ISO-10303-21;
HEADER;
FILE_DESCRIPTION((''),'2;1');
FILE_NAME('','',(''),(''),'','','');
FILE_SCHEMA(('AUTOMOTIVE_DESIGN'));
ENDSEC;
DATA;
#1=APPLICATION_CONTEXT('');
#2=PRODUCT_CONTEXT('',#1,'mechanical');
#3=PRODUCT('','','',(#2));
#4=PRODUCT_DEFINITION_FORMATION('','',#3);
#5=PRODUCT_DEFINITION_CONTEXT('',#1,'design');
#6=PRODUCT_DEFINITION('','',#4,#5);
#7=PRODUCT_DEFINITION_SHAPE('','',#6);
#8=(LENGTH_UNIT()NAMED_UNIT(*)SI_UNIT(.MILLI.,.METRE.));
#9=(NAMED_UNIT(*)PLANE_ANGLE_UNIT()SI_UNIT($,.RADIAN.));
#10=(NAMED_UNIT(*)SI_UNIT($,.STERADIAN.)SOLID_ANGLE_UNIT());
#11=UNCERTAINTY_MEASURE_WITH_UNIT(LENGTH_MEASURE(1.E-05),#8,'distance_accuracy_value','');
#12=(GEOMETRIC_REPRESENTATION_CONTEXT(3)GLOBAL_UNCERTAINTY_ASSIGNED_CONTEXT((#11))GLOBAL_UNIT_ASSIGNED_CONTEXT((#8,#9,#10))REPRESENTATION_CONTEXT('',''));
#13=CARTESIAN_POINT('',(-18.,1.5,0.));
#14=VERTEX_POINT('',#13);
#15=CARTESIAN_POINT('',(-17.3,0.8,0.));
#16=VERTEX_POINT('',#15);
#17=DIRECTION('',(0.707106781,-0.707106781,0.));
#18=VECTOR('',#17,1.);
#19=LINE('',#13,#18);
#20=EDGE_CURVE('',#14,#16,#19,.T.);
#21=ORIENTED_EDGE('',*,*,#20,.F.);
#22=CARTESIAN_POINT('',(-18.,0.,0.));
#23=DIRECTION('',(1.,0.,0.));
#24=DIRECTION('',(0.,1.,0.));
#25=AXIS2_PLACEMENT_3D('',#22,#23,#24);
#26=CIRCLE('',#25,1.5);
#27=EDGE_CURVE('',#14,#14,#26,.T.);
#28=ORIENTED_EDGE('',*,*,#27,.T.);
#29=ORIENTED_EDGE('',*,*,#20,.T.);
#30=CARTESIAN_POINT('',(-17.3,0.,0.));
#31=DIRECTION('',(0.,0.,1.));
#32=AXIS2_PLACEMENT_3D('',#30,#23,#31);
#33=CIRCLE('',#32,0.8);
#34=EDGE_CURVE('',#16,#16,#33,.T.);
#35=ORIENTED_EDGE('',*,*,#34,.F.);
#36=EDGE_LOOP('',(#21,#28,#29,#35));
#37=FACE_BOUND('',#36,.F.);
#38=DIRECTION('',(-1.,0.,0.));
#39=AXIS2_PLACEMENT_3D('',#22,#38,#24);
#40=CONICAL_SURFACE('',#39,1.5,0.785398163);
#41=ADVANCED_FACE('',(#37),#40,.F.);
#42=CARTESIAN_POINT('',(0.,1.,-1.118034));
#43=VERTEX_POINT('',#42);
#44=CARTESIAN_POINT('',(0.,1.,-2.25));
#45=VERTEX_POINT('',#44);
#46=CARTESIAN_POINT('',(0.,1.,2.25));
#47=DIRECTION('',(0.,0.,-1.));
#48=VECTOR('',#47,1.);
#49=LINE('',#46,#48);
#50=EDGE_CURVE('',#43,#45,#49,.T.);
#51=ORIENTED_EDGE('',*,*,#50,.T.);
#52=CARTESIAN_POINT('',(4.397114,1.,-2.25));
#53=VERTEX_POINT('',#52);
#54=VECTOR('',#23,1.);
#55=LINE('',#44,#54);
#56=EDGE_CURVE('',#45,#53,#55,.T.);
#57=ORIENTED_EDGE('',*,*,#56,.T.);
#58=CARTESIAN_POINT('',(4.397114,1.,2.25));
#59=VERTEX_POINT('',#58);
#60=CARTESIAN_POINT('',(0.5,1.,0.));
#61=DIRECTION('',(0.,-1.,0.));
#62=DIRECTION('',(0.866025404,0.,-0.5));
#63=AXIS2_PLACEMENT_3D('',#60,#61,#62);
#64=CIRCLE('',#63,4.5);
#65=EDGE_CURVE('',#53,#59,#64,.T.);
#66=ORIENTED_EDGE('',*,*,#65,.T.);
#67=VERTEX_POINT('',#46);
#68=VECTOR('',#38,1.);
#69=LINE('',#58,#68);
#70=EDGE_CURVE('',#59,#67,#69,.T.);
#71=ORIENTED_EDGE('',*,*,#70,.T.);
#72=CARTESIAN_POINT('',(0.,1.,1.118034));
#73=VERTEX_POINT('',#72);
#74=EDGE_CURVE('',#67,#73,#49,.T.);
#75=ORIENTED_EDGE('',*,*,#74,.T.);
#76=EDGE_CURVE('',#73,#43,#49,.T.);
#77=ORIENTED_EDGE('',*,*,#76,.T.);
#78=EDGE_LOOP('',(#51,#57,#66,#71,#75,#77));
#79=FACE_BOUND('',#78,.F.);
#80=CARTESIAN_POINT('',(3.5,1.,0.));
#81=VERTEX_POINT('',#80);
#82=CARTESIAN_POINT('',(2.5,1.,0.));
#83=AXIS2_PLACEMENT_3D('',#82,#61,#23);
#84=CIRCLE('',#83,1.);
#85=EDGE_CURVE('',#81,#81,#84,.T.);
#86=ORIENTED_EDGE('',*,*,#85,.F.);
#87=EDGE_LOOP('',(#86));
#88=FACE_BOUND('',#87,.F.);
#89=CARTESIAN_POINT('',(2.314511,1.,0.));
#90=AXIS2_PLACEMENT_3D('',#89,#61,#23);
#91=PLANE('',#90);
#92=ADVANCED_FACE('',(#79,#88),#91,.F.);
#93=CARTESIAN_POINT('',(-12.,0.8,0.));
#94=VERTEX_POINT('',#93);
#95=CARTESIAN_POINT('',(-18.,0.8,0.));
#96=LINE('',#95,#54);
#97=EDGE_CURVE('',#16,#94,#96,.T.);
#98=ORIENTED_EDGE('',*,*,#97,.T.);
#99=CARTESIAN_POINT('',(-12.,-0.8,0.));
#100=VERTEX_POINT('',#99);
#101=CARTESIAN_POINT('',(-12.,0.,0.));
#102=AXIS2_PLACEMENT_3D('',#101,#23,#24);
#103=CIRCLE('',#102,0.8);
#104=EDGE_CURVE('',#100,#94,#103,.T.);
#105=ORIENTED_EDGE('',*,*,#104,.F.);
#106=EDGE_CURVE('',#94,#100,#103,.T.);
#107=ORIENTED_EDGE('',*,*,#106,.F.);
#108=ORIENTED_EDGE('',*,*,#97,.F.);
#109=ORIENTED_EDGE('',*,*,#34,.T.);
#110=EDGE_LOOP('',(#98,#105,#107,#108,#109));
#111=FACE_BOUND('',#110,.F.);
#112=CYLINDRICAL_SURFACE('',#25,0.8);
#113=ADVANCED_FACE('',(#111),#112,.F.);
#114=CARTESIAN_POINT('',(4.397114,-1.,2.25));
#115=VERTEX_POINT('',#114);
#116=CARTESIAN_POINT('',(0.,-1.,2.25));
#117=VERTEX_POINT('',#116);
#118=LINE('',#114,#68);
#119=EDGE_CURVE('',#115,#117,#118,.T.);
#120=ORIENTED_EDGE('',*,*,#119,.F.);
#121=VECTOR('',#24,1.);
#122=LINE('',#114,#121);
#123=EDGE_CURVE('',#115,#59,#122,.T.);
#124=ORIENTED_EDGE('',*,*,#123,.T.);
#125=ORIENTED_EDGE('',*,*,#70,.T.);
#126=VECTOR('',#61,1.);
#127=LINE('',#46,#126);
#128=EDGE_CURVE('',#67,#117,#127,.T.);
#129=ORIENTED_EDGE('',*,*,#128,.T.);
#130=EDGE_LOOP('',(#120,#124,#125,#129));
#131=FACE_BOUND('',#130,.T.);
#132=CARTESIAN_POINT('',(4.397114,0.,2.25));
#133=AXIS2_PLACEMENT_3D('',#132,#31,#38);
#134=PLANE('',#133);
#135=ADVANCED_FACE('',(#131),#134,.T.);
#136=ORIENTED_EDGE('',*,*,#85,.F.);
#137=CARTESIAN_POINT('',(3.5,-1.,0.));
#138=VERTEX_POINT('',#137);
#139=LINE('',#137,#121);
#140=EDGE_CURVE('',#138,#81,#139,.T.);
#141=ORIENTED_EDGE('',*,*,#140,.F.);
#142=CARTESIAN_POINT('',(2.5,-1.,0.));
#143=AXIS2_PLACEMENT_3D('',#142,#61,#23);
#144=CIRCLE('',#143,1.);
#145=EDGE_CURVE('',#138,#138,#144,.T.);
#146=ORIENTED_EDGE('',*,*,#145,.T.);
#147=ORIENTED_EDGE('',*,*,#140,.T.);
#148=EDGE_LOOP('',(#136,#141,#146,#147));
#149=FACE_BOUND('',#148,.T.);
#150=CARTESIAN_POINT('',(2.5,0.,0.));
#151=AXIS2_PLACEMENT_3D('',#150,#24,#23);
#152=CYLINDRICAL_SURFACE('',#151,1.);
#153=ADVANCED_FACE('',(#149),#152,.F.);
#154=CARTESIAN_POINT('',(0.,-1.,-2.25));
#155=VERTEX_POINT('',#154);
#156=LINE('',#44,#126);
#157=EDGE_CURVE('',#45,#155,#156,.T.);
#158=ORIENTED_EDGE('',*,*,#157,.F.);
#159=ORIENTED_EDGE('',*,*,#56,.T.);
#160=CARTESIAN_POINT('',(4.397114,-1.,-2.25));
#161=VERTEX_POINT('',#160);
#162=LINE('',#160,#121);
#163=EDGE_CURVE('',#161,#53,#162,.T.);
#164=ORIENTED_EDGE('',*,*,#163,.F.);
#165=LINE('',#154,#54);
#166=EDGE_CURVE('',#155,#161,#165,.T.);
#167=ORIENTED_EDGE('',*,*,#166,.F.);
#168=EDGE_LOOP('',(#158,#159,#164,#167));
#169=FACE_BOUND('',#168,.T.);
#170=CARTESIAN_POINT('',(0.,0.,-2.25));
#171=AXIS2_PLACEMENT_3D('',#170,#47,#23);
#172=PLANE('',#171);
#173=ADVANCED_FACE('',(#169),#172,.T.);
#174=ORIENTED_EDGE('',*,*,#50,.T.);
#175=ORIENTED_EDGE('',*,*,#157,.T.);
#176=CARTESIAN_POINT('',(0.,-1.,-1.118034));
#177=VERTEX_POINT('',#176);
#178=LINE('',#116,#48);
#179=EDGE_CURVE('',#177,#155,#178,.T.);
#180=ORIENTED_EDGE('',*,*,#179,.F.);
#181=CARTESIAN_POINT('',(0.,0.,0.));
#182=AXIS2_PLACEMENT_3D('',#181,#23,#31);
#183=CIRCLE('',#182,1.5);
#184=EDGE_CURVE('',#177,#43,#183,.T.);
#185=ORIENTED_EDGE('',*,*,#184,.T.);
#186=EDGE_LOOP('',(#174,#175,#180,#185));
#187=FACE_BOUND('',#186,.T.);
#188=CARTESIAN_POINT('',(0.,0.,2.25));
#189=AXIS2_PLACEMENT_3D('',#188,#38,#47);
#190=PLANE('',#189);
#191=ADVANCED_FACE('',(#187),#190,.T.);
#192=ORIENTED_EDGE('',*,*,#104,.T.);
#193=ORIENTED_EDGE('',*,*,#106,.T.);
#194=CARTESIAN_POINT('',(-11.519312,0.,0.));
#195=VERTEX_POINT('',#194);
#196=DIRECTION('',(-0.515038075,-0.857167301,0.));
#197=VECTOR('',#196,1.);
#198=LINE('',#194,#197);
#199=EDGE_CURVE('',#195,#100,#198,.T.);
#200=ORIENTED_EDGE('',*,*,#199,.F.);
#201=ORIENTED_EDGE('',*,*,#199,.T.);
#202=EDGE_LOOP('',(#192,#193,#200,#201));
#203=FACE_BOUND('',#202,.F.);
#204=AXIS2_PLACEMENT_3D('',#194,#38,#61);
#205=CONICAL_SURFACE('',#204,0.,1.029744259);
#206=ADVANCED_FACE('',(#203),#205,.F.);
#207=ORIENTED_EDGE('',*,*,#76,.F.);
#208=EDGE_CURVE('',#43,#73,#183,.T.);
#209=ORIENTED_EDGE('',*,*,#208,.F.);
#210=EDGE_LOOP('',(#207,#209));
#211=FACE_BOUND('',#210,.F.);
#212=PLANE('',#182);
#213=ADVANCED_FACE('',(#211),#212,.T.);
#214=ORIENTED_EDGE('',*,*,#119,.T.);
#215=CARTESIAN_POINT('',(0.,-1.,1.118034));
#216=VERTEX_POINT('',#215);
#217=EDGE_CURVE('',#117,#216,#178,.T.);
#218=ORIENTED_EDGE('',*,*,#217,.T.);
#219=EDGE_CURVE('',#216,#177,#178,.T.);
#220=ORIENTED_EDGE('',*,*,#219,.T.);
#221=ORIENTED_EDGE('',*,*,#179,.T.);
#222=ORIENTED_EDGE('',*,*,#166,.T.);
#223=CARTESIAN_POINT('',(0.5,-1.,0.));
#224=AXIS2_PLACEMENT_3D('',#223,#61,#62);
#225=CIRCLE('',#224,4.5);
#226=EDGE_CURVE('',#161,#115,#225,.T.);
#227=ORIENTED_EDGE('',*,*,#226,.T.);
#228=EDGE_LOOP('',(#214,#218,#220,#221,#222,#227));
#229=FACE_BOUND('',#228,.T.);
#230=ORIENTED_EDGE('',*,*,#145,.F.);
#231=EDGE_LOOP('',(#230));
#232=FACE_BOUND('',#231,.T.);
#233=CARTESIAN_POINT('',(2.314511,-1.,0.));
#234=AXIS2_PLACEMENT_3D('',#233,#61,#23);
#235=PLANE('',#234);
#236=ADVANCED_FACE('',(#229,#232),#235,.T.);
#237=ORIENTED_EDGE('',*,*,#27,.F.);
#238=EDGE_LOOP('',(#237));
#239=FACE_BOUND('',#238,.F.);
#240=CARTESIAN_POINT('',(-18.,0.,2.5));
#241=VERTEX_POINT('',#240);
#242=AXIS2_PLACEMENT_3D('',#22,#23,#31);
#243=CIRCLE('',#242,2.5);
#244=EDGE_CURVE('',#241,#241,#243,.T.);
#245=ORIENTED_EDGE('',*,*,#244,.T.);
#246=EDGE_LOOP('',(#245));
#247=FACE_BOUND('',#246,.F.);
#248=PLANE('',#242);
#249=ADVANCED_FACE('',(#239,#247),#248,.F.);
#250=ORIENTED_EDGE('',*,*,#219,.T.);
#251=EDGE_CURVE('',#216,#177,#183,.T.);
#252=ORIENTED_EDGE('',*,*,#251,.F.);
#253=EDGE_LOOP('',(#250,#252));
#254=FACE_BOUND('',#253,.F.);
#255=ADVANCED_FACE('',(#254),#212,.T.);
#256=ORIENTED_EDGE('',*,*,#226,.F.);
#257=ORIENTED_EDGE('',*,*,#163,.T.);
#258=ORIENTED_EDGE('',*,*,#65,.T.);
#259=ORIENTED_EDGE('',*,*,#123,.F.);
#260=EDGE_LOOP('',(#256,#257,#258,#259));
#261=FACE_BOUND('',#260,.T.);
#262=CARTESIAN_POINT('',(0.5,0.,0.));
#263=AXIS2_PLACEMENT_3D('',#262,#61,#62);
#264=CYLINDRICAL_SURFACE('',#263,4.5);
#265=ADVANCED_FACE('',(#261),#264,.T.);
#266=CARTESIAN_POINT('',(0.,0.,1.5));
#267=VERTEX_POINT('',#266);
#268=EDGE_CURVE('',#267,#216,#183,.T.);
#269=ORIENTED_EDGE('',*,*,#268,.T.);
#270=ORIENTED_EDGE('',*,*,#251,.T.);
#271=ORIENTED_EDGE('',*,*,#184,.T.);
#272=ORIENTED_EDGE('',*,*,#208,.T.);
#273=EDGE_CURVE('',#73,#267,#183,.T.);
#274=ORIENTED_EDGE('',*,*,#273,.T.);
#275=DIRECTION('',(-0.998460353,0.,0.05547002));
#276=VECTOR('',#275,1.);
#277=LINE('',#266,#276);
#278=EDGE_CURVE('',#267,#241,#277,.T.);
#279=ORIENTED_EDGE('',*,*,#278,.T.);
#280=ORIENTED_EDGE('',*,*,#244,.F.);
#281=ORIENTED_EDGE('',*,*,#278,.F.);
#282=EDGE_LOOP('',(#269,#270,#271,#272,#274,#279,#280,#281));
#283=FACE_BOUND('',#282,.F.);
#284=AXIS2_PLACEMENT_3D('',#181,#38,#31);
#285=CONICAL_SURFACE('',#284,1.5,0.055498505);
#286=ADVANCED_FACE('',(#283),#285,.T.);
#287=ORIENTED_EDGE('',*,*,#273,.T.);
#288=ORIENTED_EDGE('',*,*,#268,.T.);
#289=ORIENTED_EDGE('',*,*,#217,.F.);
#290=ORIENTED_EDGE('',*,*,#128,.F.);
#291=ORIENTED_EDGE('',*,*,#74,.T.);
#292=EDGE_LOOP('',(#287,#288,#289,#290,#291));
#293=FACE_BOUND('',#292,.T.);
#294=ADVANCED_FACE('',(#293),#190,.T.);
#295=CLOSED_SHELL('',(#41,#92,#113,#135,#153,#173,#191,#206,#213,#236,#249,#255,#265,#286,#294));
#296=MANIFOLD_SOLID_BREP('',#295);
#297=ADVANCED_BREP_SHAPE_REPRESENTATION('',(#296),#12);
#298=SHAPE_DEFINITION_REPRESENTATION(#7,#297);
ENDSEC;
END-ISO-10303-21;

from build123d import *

# Parameters (mm, degrees)
F2_R           = 1
F3_DEPTH       = 1
F5_D           = 1.6
F5_DEPTH       = 6
F5_CSINK_D     = 3
F5_CSINK_ANGLE = 90
F5_TIP         = 0.4806884952


with BuildPart() as f1:
    # F0 (on Front) → F1 (revolve)
    with BuildSketch(Plane.XZ):
        Polygon((-18, 2.5), (-18, 0), (0, 0), (0, 1.5), align=None)
    revolve(axis=Axis((2.7535289992, 0, 0), (1, 0, 0)))

    # F2 (on Front) → F3 (join, symmetric)
    with BuildSketch(Plane.XZ):
        with BuildLine():
            Line((4.397114317, 2.25), (0, 2.25))
            Line((0, 2.25), (0, -2.25))
            Line((0, -2.25), (4.397114317, -2.25))
            ThreePointArc((4.397114317, -2.25), (5, 0), (4.397114317, 2.25))
        make_face()
        with Locations((2.5, 0)):
            Circle(F2_R, mode=Mode.SUBTRACT)
    extrude(amount=F3_DEPTH, both=True)

    # F5
    with Locations(Plane(origin=(-18, 0, 0), x_dir=(0, -1, 0), z_dir=(-1, 0, 0))):
        with Locations((0, 0)):
            CounterSinkHole(F5_D / 2, F5_CSINK_D / 2, depth=F5_DEPTH, counter_sink_angle=F5_CSINK_ANGLE)
            with Locations((0, 0, -(F5_DEPTH + F5_TIP / 2))):  # 118° drill point
                Cone(0, F5_D / 2, F5_TIP, mode=Mode.SUBTRACT)


solid = f1.part
